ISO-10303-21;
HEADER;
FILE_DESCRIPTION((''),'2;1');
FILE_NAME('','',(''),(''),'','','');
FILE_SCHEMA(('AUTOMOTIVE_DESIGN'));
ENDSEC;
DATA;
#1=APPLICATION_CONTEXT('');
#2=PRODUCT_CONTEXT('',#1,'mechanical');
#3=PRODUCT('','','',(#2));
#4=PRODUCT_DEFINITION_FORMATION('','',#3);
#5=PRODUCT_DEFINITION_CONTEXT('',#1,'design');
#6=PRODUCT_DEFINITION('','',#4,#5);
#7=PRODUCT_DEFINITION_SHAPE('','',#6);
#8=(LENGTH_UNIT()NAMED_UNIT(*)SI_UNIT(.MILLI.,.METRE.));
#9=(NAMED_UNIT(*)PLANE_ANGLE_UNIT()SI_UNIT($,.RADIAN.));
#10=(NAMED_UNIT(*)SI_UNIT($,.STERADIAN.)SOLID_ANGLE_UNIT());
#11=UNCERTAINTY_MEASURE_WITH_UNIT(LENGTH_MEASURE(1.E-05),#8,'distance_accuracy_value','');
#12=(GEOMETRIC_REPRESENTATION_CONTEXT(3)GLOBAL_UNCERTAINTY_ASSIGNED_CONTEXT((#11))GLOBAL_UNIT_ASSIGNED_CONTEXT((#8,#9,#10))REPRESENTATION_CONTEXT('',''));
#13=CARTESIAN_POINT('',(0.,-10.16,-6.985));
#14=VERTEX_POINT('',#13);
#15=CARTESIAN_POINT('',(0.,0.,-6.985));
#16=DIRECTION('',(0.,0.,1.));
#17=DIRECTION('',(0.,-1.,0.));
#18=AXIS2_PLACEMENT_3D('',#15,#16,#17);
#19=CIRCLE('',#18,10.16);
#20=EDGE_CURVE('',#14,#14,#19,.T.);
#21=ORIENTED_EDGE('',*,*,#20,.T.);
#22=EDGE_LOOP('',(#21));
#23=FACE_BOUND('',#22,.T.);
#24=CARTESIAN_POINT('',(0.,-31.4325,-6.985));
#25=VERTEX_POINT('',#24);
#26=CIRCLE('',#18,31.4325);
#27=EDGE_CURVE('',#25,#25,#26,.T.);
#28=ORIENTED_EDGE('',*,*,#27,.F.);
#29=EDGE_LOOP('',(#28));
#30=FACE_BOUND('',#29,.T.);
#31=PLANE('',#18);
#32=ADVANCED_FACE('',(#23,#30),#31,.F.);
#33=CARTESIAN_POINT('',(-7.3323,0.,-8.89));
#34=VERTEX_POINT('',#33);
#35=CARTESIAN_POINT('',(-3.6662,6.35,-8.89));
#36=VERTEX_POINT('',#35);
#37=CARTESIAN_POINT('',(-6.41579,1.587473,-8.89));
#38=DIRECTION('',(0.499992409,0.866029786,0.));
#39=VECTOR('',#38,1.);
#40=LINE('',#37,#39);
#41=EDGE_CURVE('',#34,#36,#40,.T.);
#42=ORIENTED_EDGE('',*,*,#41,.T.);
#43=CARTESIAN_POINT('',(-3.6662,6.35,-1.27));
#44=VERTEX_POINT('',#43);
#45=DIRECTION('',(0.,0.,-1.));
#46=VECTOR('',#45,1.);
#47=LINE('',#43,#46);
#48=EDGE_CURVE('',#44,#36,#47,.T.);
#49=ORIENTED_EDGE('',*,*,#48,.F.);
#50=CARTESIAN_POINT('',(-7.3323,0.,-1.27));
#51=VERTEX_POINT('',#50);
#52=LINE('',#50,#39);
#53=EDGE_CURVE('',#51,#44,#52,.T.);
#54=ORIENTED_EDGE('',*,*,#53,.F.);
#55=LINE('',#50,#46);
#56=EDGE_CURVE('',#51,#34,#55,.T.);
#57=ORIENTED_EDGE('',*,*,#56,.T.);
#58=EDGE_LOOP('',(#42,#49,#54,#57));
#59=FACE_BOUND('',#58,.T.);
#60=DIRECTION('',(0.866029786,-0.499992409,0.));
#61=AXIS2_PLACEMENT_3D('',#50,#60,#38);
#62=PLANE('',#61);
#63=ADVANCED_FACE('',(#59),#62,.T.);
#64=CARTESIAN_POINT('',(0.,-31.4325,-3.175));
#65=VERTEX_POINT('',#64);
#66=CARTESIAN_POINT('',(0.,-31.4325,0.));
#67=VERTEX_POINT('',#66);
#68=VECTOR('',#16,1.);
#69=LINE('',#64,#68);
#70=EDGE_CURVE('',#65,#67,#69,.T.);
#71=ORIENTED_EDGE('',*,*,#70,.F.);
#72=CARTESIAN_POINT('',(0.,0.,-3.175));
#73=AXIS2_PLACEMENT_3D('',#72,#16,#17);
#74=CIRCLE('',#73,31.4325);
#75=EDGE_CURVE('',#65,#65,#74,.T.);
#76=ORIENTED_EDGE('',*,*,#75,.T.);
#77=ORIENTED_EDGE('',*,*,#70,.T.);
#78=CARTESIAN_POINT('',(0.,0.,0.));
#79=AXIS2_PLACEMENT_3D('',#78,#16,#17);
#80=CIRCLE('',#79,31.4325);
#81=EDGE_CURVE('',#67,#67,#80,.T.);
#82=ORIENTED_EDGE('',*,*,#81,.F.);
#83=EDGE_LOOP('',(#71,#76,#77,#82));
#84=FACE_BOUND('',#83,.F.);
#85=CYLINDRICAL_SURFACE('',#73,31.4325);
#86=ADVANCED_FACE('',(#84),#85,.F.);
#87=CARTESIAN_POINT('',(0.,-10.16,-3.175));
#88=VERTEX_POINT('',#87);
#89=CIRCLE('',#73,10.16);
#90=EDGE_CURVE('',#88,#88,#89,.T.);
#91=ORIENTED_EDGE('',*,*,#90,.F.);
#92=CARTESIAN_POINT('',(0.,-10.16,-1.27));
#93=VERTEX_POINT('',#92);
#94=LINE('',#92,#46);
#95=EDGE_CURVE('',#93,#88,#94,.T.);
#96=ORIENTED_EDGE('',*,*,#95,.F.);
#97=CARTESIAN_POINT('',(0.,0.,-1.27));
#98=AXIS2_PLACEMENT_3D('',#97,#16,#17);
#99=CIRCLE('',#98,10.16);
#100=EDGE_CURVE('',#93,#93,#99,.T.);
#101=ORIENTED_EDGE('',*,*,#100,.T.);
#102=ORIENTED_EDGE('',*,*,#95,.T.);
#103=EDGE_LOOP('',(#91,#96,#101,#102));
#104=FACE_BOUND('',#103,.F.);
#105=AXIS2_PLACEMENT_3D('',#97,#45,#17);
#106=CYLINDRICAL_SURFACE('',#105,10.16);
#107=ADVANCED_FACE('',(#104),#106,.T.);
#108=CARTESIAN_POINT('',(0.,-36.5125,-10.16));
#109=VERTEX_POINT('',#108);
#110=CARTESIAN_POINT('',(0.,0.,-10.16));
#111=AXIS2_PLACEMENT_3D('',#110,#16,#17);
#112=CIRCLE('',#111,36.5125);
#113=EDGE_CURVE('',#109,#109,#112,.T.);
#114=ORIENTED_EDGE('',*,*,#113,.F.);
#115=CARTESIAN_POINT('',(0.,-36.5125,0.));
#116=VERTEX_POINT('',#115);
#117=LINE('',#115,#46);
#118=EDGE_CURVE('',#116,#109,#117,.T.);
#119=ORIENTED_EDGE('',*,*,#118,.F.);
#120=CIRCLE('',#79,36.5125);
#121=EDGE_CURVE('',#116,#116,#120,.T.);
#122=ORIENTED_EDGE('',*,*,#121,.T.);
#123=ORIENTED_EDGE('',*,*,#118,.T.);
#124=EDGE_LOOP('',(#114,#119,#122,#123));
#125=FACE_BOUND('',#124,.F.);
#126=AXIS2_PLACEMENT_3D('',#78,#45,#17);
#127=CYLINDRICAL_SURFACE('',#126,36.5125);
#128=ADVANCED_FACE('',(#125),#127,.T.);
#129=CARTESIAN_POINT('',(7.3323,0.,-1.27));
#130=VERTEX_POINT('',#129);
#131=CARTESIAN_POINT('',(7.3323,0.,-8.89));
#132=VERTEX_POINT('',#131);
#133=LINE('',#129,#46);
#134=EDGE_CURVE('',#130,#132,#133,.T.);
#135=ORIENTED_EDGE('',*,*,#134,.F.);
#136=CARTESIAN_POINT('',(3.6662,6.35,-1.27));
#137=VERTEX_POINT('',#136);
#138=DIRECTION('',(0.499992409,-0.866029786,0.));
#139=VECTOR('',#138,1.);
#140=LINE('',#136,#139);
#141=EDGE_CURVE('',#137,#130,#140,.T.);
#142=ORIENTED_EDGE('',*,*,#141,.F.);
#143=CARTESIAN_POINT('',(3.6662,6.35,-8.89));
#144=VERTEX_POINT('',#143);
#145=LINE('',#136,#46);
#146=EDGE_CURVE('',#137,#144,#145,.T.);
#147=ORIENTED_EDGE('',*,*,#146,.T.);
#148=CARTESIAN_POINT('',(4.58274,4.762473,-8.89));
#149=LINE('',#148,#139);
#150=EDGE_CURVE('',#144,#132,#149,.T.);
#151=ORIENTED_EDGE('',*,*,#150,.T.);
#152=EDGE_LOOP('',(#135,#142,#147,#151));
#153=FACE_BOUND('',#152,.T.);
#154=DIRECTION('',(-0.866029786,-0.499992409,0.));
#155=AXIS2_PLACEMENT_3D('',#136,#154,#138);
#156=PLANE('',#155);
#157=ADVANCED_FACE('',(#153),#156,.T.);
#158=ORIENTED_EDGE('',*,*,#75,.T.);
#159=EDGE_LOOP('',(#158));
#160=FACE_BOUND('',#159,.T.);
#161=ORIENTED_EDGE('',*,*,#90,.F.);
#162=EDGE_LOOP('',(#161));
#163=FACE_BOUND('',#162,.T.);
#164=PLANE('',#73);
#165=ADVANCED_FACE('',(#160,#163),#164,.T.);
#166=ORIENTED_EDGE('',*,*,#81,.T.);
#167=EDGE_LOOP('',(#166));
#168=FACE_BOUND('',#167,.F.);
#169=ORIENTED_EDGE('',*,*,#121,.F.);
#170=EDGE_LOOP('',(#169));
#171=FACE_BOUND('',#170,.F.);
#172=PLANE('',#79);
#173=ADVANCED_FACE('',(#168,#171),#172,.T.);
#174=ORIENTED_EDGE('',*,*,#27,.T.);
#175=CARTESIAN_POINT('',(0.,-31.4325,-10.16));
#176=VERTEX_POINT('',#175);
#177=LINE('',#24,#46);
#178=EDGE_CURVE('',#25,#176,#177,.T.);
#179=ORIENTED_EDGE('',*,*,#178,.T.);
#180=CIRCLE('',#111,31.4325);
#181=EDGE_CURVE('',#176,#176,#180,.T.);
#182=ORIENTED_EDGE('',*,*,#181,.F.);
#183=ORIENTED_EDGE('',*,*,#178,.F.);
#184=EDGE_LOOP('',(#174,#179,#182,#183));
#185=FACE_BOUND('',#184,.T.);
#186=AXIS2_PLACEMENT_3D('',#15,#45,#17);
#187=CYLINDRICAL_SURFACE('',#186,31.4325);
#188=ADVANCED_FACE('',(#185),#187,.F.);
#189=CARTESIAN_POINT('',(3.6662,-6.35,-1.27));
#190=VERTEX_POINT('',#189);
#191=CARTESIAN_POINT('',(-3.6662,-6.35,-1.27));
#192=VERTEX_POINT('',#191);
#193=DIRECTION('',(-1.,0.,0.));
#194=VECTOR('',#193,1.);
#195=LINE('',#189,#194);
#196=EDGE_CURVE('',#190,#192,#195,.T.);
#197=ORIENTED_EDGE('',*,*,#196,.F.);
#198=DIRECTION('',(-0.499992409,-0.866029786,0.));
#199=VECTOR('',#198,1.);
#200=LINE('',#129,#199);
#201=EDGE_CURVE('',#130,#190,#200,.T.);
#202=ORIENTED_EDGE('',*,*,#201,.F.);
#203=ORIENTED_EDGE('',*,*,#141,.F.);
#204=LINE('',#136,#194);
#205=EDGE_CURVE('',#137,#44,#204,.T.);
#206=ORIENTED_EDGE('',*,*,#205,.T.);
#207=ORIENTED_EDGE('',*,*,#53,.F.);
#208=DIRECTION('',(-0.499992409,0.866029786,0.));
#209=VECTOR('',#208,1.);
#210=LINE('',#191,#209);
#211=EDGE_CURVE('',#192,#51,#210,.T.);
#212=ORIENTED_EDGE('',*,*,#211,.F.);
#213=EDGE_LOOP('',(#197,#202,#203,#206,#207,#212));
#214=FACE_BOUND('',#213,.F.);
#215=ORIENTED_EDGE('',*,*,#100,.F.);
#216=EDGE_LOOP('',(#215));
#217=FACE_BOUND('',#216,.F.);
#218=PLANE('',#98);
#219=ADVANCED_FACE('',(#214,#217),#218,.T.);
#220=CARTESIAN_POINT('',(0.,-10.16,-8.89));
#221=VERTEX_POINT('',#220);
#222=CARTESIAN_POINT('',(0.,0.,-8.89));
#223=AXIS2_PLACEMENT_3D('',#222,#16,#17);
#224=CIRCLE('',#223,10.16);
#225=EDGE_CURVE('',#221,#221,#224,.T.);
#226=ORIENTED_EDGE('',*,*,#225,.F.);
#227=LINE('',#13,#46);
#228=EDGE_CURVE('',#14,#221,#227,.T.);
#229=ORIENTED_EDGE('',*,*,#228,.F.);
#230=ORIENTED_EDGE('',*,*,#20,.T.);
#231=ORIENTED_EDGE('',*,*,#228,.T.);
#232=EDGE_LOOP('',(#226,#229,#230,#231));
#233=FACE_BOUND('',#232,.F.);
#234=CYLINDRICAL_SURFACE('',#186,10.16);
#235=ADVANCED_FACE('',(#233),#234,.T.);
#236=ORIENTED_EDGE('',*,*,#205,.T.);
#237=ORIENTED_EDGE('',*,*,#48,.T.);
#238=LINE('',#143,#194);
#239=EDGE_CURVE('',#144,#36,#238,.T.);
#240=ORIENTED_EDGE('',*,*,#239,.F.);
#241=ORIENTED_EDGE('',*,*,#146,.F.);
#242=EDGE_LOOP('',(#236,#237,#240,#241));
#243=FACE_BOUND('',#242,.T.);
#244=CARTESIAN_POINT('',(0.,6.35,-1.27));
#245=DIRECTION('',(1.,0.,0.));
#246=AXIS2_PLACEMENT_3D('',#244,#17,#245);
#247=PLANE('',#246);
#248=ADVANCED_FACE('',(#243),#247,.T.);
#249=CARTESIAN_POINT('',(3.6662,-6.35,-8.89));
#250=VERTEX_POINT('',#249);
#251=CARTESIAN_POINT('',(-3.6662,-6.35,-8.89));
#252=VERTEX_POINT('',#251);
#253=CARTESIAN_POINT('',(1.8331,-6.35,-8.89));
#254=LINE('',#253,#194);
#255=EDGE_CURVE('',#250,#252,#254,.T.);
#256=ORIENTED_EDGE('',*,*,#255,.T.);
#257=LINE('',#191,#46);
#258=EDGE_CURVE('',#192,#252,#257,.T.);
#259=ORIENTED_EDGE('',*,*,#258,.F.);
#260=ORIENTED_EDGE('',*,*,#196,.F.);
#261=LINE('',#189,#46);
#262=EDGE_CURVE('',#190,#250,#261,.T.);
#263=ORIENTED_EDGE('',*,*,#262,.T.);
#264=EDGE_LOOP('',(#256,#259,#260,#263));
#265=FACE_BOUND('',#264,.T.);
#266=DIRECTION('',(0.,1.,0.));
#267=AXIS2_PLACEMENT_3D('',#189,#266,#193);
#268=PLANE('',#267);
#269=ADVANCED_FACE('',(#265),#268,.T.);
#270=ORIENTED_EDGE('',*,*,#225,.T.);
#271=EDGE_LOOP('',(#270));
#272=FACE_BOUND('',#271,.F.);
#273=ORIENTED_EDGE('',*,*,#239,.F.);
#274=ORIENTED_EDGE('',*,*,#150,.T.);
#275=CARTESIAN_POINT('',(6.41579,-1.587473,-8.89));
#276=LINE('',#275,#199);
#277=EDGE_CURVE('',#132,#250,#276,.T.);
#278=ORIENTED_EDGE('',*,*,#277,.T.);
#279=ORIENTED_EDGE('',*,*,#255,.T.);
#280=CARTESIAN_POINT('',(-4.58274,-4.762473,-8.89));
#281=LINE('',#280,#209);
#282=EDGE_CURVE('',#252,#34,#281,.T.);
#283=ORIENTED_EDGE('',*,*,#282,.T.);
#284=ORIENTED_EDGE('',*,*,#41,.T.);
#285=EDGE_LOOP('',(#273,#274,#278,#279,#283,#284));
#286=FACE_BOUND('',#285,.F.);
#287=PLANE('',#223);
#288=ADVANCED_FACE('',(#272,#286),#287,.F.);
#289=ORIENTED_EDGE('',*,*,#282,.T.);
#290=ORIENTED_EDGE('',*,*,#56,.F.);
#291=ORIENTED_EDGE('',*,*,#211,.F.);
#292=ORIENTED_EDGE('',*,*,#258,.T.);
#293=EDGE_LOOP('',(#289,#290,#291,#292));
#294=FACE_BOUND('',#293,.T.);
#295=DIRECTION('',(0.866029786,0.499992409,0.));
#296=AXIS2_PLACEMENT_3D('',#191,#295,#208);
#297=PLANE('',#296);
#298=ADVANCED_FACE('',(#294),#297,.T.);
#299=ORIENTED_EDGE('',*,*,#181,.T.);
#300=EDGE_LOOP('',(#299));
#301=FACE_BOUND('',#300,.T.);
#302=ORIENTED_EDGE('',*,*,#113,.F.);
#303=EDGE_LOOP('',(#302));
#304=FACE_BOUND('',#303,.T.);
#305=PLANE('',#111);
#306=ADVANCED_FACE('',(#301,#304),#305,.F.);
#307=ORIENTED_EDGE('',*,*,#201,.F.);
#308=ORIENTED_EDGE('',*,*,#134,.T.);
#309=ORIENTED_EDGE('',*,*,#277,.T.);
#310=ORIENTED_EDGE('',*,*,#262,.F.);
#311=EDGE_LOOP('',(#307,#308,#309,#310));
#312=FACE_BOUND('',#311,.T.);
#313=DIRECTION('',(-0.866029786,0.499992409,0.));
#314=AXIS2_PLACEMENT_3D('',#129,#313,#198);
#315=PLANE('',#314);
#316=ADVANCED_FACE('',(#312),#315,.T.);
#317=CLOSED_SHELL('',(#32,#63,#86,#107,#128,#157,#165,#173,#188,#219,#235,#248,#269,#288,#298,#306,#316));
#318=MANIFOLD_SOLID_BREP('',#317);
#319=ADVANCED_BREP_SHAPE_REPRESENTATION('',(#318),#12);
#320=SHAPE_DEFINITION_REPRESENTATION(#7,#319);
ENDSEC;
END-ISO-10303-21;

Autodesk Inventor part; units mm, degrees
ref_plane "XY Plane" through (0, 0, 0) normal (0, 0, 1) x (1, 0, 0)
sketch "Sketch1" plane through (0, 0, 0) normal (1, 0, 0) x (0, 1, 0)
  line L0 (0, -8.89) -> (0, -1.27)
  line L1 (0, -1.27) -> (0, -8.89)
  line L2 (0, -1.27) -> (-10.16, -1.27)
  line L3 (-10.16, -8.89) -> (0, -8.89)
  line L4 (0, -8.89) -> (0, -1.27)
  line L5 (-31.4325, -3.175) -> (-10.16, -3.175)
  line L6 (-10.16, -6.985) -> (-31.4325, -6.985)
  line L7 (-10.16, -1.27) -> (-10.16, -3.175)
  line L8 (-10.16, -6.985) -> (-10.16, -8.89)
  line L9 (-31.4325, -3.175) -> (-31.4325, 0)
  line L10 (-31.4325, 0) -> (-36.5125, 0)
  line L11 (-36.5125, 0) -> (-36.5125, -10.16)
  line L12 (-31.4325, -6.985) -> (-31.4325, -10.16)
  line L13 (-31.4325, -10.16) -> (-36.5125, -10.16)
  dimension "d11" = 10.16
  dimension "d16" = 21.2725
  dimension "d17" = 21.2725
  dimension "d18" = 5.08
  dimension "d19" = 10.16
revolve "Revolution1" add sketch "Sketch1" angle 360 about axis through (0, 0, -8.89) along (0, 0, 1)
sketch "Sketch2" plane through (0, 0, -1.27) normal (0, 0, 1) x (1, 0, 0)
  line L0 (0, 0) -> (0, 6.35)
  line L1 (3.6662, 6.35) -> (7.3323, 0)
  line L2 (7.3323, 0) -> (3.6662, -6.35)
  line L3 (3.6662, -6.35) -> (-3.6662, -6.35)
  line L4 (-3.6662, -6.35) -> (-7.3323, 0)
  line L5 (-7.3323, 0) -> (-3.6662, 6.35)
  line L6 (-3.6662, 6.35) -> (3.6662, 6.35)
  circle A0 centre (0, 0) radius 36.5125 projected
  circle A1 centre (0, 0) radius 31.4325 projected
  dimension "d12" = 6.35
  dimension "d20" = 6.35
extrude "Extrusion1" cut sketch "Sketch2" against normal blind 25.4 contours L1 L2 L3 L4 L5 L6
ref_plane "Work Plane1" through (0, 0, 0) normal (1, 0, 0) x (0, 1, 0)
ref_plane "Work Plane2" through (0, 0, 0) normal (0, 1, 0) x (-1, 0, 0)
properties part number "BaneBots_Wheel"
